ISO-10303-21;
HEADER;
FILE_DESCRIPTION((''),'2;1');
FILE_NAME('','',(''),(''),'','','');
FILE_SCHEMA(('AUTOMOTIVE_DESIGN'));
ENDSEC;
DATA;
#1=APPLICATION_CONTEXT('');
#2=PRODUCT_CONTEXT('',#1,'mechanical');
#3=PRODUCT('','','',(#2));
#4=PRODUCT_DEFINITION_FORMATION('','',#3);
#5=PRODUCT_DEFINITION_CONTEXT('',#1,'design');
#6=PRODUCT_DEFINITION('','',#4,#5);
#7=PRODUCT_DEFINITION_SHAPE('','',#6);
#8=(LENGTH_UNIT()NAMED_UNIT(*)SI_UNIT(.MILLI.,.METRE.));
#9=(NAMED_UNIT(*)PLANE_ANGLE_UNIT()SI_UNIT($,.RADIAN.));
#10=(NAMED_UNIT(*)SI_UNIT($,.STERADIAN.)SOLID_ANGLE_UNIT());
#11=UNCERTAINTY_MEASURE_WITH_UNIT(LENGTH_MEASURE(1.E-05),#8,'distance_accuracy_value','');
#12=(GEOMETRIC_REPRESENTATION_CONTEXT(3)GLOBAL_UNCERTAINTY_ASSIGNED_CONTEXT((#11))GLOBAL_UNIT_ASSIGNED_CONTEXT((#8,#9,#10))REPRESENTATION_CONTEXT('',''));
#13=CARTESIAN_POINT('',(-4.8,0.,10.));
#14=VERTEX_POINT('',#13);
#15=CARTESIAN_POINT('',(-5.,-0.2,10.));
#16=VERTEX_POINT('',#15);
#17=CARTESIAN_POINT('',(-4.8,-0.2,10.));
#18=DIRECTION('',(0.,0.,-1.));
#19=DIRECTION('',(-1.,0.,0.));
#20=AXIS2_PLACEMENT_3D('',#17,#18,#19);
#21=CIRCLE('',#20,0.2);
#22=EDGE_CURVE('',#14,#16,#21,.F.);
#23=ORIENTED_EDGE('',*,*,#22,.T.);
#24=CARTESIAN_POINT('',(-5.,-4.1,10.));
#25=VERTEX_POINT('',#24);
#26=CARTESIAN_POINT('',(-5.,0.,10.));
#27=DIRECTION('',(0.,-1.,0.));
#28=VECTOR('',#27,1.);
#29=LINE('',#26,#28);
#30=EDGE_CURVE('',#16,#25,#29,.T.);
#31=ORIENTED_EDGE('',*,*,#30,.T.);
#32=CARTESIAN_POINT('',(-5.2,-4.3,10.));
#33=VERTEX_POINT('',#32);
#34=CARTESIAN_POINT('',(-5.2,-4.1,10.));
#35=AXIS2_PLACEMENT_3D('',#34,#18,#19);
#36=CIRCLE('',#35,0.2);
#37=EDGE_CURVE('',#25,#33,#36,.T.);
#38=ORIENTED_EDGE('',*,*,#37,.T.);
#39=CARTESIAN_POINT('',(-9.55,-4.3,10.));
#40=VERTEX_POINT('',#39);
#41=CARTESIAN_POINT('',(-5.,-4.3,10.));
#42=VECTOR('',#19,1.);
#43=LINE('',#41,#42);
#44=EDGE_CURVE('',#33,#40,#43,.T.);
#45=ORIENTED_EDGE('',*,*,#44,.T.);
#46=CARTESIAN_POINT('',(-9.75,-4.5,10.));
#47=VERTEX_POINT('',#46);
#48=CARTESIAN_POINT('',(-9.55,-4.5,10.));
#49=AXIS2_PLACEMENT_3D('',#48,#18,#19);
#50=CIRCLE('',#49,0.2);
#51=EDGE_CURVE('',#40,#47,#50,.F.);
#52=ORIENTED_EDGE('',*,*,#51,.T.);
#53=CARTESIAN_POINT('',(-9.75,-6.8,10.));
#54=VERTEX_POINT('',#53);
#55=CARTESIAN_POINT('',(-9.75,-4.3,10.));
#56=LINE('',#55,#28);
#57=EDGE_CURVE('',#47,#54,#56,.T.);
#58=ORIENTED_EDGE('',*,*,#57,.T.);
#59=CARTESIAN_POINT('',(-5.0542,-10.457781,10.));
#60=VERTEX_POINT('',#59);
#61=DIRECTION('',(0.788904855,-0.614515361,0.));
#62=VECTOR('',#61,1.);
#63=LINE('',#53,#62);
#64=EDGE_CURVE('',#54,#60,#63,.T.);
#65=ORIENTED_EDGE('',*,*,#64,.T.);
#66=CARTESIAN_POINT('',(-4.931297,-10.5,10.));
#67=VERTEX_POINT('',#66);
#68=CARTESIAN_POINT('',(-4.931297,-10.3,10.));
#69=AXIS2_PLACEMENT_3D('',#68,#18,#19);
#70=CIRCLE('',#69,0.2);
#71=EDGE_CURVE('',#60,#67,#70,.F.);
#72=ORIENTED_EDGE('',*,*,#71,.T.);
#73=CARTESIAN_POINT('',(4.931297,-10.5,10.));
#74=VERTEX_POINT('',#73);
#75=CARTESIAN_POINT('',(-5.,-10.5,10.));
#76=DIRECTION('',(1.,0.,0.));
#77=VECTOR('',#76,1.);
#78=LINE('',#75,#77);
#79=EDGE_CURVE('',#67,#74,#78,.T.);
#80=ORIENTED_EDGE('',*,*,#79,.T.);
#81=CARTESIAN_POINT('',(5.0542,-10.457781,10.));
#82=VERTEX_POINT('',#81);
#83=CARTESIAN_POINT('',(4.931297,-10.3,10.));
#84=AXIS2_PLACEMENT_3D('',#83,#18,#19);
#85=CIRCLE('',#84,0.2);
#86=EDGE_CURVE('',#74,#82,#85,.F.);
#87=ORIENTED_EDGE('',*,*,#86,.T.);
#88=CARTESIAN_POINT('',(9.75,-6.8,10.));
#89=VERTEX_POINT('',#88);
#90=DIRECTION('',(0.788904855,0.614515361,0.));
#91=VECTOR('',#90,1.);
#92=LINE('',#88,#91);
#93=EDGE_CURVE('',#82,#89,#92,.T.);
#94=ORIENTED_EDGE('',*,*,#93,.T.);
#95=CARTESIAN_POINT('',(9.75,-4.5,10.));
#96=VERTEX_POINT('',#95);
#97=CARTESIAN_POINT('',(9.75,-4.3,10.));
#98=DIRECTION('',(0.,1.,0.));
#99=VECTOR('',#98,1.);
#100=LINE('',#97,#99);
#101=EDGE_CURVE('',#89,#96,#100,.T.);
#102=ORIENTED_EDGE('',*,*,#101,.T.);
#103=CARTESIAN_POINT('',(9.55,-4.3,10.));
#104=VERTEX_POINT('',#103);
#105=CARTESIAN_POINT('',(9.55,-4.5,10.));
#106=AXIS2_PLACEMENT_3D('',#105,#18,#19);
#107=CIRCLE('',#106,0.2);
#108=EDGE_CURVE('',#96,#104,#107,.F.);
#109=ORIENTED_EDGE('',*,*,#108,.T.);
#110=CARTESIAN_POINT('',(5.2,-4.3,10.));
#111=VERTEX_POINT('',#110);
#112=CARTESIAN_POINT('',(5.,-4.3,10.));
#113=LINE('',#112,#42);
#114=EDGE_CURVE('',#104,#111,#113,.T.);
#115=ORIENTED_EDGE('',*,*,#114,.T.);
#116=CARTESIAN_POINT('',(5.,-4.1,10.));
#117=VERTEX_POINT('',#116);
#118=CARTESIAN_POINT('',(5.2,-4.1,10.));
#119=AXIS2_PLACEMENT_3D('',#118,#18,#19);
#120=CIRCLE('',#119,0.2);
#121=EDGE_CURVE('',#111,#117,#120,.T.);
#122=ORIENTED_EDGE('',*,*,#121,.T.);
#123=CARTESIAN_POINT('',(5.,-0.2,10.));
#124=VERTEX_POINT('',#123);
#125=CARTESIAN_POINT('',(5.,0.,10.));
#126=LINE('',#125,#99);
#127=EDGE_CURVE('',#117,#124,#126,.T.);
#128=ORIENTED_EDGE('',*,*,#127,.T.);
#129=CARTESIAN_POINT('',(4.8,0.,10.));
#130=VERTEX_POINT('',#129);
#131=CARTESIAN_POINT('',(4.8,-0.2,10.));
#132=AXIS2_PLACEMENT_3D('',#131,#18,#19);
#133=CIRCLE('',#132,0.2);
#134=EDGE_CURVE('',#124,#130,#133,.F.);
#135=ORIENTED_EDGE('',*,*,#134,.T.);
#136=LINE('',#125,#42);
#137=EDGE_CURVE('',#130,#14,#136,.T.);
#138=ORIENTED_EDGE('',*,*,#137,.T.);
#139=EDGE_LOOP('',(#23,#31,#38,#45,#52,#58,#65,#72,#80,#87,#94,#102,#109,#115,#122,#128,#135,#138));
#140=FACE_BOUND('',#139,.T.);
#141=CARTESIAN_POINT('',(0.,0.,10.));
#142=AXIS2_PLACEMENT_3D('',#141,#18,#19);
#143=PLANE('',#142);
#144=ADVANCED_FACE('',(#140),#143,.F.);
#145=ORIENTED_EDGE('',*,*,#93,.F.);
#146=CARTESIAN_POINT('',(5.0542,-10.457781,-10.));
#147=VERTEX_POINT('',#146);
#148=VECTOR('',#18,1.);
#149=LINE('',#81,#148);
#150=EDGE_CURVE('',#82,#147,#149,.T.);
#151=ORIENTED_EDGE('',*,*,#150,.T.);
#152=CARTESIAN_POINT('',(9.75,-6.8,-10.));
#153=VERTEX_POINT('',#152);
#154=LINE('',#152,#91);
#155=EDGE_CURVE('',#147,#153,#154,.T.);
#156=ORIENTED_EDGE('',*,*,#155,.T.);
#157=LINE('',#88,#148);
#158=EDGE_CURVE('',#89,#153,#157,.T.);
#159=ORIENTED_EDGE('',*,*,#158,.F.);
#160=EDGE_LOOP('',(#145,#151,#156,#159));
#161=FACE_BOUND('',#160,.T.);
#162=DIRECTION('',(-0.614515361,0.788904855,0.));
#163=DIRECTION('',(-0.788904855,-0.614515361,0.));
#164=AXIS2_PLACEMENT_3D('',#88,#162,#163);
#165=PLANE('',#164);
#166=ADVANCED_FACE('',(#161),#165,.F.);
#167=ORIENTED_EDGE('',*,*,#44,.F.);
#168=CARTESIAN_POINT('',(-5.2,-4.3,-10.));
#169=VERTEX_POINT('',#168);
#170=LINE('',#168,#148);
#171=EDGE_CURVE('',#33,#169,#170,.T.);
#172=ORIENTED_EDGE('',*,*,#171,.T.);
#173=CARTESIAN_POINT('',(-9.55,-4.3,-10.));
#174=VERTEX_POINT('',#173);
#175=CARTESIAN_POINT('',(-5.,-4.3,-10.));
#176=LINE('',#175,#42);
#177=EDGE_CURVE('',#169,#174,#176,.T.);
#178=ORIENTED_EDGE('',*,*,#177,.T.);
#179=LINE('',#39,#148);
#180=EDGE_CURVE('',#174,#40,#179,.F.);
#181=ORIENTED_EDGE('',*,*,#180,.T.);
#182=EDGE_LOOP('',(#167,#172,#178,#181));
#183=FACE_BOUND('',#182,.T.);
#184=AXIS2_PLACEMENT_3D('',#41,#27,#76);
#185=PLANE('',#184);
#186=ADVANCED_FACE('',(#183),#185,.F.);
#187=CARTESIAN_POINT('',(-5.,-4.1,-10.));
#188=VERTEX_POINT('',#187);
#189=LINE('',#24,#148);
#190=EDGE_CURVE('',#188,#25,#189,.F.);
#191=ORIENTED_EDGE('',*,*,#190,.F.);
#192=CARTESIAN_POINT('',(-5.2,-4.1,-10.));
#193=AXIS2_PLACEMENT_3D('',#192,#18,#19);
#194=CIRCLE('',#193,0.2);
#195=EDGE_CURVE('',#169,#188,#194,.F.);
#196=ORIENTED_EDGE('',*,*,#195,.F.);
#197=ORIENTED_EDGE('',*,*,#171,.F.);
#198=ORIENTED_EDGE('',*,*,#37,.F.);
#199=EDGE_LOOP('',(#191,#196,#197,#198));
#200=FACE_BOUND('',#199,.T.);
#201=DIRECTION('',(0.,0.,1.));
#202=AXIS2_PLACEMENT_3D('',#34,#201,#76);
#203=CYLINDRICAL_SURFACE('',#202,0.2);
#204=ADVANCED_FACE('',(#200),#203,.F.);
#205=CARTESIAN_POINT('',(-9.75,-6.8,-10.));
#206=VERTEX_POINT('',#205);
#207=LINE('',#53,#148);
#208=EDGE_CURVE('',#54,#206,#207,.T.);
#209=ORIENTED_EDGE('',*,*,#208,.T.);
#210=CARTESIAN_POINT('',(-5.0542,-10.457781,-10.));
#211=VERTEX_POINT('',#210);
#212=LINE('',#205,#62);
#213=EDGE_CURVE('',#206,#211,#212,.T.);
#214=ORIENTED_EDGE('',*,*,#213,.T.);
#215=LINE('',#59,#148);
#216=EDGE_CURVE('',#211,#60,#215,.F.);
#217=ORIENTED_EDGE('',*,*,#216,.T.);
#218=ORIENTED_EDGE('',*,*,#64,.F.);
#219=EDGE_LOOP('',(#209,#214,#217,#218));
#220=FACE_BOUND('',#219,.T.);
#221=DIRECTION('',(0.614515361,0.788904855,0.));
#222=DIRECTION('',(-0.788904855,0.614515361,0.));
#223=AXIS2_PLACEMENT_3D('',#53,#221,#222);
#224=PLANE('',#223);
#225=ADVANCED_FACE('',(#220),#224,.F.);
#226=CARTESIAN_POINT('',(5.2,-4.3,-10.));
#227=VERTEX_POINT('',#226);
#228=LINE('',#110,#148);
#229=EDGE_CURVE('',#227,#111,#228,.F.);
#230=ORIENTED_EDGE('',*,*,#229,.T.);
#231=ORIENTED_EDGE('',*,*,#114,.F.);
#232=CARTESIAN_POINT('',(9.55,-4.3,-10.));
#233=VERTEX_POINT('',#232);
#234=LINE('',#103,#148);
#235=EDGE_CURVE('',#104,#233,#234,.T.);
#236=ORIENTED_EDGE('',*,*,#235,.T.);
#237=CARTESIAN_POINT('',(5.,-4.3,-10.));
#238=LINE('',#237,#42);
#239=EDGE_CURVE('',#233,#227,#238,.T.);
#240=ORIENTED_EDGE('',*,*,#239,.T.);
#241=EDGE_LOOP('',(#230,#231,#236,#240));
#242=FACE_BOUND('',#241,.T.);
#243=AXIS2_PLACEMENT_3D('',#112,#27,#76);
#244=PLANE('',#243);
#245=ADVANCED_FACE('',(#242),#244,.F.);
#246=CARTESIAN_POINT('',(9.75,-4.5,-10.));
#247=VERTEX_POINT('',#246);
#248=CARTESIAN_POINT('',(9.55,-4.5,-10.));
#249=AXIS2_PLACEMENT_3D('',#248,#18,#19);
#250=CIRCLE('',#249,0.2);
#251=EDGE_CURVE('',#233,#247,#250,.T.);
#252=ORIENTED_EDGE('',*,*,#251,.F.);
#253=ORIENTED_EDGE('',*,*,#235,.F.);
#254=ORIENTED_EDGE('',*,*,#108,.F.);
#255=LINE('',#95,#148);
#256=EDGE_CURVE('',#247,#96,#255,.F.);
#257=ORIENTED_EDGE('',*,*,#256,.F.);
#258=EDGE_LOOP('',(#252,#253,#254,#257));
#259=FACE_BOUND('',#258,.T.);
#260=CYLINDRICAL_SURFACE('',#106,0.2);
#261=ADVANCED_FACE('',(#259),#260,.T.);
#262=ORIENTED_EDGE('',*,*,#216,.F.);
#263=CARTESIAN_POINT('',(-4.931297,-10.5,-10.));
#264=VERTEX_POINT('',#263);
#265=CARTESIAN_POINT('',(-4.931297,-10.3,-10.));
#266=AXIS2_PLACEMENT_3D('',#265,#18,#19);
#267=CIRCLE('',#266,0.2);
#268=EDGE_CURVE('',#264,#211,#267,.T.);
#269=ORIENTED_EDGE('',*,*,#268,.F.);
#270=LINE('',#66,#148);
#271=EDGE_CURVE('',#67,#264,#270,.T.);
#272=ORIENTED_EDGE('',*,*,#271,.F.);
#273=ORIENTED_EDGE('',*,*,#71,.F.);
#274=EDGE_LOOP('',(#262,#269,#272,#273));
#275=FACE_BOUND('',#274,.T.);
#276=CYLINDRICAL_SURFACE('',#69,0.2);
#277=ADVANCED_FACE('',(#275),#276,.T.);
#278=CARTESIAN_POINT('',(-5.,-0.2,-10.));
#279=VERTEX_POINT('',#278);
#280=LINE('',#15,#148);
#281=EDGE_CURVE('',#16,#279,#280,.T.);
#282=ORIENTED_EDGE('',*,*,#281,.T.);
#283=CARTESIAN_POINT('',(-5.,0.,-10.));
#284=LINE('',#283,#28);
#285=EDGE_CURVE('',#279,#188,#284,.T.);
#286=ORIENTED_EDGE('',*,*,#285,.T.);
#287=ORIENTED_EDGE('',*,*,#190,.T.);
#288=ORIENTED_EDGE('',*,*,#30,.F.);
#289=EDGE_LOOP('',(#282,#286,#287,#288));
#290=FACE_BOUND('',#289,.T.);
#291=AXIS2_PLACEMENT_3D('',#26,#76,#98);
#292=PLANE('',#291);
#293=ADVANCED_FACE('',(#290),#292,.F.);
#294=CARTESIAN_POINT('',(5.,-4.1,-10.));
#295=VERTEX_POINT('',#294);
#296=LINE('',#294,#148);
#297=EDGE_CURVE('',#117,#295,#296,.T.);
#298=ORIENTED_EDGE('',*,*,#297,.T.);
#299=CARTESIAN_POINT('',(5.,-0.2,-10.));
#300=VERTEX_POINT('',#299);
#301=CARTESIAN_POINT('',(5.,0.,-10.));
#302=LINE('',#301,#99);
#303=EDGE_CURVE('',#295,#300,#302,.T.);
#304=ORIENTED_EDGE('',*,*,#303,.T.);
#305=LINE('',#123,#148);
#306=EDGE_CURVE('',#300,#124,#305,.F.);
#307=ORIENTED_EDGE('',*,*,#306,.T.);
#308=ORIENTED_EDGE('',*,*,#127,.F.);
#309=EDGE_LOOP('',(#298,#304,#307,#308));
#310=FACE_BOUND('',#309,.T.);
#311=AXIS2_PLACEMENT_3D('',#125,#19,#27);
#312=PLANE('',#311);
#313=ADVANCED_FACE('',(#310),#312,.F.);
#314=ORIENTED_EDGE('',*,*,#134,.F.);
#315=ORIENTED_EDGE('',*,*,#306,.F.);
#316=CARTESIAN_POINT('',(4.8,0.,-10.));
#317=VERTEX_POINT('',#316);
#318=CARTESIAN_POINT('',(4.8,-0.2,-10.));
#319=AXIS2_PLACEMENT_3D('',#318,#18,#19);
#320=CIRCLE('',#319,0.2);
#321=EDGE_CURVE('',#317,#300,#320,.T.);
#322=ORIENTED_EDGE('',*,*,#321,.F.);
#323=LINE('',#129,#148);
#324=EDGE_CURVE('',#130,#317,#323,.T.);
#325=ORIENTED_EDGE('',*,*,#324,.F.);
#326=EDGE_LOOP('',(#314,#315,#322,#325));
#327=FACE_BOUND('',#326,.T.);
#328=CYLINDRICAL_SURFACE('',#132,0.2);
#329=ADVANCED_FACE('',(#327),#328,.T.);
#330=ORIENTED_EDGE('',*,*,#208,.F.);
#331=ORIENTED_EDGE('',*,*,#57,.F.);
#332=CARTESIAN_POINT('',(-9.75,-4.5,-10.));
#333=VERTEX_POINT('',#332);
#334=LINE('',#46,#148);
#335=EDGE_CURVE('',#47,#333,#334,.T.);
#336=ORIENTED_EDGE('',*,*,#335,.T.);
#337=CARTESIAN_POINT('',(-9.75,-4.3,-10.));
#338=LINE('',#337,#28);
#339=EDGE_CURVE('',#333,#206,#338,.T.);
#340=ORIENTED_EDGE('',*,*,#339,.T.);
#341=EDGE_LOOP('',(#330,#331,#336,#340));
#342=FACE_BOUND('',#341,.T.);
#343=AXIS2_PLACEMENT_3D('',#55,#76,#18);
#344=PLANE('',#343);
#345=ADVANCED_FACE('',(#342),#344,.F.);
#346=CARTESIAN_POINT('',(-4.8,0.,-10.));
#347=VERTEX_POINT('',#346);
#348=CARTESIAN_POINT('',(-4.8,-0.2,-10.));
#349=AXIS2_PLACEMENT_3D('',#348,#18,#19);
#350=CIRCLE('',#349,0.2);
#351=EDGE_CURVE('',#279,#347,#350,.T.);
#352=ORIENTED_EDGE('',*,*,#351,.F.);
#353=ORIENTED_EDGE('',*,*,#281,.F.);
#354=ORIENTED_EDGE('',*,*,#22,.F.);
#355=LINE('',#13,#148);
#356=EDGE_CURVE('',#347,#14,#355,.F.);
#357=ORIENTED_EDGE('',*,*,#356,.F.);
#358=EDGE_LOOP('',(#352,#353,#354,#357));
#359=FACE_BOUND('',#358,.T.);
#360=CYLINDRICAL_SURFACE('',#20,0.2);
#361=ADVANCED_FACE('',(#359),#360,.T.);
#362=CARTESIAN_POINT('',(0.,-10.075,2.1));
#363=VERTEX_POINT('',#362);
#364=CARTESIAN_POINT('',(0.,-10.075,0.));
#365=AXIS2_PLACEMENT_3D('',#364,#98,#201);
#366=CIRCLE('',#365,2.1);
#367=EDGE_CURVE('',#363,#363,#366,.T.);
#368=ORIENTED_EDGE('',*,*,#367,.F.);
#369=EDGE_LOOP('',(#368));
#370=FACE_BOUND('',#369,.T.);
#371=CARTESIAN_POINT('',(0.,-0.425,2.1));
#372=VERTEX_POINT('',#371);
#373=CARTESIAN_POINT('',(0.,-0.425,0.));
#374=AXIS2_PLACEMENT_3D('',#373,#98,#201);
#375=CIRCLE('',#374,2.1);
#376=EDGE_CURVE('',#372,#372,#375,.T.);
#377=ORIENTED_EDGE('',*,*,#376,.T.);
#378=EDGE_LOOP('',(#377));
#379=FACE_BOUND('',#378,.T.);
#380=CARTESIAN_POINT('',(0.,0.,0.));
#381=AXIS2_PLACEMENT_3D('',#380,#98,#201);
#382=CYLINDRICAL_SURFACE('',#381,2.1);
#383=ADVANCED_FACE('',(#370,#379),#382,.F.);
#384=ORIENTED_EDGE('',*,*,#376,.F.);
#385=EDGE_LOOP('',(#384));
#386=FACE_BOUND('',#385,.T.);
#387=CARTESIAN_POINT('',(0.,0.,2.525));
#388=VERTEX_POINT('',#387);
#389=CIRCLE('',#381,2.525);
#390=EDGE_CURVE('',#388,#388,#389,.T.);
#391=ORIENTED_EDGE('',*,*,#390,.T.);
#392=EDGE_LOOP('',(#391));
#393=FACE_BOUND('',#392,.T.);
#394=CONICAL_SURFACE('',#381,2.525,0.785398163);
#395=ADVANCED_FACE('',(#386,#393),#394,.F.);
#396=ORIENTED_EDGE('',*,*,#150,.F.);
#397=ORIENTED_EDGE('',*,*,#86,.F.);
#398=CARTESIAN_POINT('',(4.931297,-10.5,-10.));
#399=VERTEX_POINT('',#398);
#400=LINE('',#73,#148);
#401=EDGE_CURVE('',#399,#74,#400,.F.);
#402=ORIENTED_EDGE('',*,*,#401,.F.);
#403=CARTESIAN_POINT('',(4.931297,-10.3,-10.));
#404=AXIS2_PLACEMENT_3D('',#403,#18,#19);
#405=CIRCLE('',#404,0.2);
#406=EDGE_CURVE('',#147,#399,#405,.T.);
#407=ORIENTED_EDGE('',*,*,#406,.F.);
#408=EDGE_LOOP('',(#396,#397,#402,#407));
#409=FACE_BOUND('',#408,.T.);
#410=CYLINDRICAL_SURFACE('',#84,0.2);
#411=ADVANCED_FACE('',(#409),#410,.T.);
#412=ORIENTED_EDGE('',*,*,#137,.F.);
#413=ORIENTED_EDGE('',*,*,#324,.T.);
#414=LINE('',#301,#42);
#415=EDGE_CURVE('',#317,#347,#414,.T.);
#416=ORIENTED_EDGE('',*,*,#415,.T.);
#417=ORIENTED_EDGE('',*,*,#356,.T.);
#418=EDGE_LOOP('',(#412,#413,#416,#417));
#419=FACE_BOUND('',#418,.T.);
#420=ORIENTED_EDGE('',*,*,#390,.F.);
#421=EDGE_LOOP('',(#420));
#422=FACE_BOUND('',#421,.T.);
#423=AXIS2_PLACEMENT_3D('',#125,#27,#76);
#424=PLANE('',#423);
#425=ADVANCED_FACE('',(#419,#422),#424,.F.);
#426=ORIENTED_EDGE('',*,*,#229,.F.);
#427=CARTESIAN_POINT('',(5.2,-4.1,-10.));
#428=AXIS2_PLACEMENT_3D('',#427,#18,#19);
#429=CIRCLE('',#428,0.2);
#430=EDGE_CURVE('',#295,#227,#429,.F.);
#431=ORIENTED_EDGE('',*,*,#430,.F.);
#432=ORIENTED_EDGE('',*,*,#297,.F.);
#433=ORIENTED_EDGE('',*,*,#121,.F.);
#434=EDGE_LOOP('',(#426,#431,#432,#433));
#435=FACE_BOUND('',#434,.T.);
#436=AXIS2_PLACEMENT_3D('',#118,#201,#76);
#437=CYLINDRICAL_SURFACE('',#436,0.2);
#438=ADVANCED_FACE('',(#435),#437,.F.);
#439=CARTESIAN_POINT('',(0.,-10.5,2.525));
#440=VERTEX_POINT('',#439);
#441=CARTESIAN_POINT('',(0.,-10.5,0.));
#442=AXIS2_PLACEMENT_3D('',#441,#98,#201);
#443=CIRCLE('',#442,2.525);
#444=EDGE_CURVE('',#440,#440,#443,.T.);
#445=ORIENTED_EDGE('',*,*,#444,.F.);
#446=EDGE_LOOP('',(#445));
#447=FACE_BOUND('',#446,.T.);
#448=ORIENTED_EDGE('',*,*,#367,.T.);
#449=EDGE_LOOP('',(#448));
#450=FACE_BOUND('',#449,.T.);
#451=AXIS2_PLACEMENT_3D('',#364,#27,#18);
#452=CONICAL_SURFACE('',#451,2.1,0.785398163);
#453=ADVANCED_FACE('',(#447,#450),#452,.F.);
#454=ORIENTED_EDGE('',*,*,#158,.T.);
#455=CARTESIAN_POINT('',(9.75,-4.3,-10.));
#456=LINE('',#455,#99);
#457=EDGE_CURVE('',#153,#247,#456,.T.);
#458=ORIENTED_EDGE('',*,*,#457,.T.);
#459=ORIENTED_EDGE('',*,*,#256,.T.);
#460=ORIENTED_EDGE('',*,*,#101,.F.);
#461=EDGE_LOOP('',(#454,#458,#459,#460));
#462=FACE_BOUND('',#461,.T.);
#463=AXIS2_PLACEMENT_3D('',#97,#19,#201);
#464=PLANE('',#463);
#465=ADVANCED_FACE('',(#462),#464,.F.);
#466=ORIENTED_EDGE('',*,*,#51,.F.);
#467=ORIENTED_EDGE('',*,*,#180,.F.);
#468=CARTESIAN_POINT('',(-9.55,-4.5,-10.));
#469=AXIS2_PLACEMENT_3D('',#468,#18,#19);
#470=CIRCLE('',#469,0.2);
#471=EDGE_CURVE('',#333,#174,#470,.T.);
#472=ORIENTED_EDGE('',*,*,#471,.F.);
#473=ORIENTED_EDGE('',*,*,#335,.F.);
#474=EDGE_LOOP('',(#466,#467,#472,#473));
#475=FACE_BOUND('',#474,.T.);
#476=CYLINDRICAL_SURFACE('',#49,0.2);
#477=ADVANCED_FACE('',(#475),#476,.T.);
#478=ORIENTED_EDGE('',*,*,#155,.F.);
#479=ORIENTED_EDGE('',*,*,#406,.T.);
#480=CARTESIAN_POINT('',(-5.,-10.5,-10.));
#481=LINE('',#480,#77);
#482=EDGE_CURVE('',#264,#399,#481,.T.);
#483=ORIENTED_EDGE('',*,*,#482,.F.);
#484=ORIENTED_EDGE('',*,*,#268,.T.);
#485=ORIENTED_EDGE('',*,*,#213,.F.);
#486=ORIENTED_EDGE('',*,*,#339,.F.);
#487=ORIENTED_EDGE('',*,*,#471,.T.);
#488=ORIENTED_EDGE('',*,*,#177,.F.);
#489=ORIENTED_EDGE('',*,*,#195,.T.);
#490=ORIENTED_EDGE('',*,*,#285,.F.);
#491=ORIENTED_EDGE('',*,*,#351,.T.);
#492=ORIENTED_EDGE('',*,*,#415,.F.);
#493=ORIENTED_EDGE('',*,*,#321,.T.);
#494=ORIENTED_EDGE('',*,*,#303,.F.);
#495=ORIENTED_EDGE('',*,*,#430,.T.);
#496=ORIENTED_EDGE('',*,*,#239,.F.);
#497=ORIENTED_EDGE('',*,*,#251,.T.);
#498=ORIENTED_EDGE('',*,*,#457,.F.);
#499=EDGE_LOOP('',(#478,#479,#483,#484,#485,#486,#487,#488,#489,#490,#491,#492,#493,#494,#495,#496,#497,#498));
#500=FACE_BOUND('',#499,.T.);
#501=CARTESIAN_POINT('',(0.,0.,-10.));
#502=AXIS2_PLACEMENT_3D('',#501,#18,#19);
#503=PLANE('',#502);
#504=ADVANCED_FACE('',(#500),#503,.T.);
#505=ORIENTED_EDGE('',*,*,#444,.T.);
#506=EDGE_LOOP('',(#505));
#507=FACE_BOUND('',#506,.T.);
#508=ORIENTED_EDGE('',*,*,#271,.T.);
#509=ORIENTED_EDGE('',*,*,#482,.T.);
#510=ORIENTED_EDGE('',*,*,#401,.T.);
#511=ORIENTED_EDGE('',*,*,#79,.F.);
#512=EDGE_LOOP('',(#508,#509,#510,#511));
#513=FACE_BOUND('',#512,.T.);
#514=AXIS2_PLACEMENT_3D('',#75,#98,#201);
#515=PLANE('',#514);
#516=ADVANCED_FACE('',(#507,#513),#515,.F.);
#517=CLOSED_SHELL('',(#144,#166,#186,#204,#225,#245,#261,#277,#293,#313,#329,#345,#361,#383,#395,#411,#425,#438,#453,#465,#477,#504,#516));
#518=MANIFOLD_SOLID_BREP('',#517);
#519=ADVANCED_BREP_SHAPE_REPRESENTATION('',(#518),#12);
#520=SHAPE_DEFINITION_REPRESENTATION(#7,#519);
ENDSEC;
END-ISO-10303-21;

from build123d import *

# Parameters (mm, degrees)
EXTRUDE_1_DEPTH = 10
FILLET_1_R      = 0.2


with BuildPart() as part:
    # Эскиз1 → Бобышка-Вытянуть1 (new body, symmetric)
    with BuildSketch(Plane.XY):
        Polygon((5, 0), (-5, 0), (-5, -4.3), (-9.75, -4.3), (-9.75, -6.8), (-5, -10.5), (5, -10.5), (9.75, -6.8), (9.75, -4.3), (5, -4.3), align=None)
    extrude(amount=EXTRUDE_1_DEPTH, both=True)

    # Эскиз4 → Отверстие обработанное метчиком M54 (revolve, cut)
    with BuildSketch(Plane(origin=(0, 0, 0), x_dir=(0, 0, 1), z_dir=(1, 0, 0))):
        Polygon((0, 0), (0, 10.5), (2.525, 10.5), (2.1, 10.075), (2.1, 0.425), (2.525, 0), align=None)
    revolve(axis=Axis((0, 6.35, 0), (0, -1, 0)), mode=Mode.SUBTRACT)

    # Скругление1
    fillet_1_edges = [part.edges().sort_by_distance(p)[0] for p in [
        (-5, 0, 0),
        (5, 0, 0),
        (5, -4.3, 0),
        (9.75, -4.3, 0),
        (5, -10.5, 0),
        (-5, -10.5, 0),
        (-9.75, -4.3, 0),
        (-5, -4.3, 0),
    ]]
    fillet(fillet_1_edges, radius=FILLET_1_R)


solid = part.part
